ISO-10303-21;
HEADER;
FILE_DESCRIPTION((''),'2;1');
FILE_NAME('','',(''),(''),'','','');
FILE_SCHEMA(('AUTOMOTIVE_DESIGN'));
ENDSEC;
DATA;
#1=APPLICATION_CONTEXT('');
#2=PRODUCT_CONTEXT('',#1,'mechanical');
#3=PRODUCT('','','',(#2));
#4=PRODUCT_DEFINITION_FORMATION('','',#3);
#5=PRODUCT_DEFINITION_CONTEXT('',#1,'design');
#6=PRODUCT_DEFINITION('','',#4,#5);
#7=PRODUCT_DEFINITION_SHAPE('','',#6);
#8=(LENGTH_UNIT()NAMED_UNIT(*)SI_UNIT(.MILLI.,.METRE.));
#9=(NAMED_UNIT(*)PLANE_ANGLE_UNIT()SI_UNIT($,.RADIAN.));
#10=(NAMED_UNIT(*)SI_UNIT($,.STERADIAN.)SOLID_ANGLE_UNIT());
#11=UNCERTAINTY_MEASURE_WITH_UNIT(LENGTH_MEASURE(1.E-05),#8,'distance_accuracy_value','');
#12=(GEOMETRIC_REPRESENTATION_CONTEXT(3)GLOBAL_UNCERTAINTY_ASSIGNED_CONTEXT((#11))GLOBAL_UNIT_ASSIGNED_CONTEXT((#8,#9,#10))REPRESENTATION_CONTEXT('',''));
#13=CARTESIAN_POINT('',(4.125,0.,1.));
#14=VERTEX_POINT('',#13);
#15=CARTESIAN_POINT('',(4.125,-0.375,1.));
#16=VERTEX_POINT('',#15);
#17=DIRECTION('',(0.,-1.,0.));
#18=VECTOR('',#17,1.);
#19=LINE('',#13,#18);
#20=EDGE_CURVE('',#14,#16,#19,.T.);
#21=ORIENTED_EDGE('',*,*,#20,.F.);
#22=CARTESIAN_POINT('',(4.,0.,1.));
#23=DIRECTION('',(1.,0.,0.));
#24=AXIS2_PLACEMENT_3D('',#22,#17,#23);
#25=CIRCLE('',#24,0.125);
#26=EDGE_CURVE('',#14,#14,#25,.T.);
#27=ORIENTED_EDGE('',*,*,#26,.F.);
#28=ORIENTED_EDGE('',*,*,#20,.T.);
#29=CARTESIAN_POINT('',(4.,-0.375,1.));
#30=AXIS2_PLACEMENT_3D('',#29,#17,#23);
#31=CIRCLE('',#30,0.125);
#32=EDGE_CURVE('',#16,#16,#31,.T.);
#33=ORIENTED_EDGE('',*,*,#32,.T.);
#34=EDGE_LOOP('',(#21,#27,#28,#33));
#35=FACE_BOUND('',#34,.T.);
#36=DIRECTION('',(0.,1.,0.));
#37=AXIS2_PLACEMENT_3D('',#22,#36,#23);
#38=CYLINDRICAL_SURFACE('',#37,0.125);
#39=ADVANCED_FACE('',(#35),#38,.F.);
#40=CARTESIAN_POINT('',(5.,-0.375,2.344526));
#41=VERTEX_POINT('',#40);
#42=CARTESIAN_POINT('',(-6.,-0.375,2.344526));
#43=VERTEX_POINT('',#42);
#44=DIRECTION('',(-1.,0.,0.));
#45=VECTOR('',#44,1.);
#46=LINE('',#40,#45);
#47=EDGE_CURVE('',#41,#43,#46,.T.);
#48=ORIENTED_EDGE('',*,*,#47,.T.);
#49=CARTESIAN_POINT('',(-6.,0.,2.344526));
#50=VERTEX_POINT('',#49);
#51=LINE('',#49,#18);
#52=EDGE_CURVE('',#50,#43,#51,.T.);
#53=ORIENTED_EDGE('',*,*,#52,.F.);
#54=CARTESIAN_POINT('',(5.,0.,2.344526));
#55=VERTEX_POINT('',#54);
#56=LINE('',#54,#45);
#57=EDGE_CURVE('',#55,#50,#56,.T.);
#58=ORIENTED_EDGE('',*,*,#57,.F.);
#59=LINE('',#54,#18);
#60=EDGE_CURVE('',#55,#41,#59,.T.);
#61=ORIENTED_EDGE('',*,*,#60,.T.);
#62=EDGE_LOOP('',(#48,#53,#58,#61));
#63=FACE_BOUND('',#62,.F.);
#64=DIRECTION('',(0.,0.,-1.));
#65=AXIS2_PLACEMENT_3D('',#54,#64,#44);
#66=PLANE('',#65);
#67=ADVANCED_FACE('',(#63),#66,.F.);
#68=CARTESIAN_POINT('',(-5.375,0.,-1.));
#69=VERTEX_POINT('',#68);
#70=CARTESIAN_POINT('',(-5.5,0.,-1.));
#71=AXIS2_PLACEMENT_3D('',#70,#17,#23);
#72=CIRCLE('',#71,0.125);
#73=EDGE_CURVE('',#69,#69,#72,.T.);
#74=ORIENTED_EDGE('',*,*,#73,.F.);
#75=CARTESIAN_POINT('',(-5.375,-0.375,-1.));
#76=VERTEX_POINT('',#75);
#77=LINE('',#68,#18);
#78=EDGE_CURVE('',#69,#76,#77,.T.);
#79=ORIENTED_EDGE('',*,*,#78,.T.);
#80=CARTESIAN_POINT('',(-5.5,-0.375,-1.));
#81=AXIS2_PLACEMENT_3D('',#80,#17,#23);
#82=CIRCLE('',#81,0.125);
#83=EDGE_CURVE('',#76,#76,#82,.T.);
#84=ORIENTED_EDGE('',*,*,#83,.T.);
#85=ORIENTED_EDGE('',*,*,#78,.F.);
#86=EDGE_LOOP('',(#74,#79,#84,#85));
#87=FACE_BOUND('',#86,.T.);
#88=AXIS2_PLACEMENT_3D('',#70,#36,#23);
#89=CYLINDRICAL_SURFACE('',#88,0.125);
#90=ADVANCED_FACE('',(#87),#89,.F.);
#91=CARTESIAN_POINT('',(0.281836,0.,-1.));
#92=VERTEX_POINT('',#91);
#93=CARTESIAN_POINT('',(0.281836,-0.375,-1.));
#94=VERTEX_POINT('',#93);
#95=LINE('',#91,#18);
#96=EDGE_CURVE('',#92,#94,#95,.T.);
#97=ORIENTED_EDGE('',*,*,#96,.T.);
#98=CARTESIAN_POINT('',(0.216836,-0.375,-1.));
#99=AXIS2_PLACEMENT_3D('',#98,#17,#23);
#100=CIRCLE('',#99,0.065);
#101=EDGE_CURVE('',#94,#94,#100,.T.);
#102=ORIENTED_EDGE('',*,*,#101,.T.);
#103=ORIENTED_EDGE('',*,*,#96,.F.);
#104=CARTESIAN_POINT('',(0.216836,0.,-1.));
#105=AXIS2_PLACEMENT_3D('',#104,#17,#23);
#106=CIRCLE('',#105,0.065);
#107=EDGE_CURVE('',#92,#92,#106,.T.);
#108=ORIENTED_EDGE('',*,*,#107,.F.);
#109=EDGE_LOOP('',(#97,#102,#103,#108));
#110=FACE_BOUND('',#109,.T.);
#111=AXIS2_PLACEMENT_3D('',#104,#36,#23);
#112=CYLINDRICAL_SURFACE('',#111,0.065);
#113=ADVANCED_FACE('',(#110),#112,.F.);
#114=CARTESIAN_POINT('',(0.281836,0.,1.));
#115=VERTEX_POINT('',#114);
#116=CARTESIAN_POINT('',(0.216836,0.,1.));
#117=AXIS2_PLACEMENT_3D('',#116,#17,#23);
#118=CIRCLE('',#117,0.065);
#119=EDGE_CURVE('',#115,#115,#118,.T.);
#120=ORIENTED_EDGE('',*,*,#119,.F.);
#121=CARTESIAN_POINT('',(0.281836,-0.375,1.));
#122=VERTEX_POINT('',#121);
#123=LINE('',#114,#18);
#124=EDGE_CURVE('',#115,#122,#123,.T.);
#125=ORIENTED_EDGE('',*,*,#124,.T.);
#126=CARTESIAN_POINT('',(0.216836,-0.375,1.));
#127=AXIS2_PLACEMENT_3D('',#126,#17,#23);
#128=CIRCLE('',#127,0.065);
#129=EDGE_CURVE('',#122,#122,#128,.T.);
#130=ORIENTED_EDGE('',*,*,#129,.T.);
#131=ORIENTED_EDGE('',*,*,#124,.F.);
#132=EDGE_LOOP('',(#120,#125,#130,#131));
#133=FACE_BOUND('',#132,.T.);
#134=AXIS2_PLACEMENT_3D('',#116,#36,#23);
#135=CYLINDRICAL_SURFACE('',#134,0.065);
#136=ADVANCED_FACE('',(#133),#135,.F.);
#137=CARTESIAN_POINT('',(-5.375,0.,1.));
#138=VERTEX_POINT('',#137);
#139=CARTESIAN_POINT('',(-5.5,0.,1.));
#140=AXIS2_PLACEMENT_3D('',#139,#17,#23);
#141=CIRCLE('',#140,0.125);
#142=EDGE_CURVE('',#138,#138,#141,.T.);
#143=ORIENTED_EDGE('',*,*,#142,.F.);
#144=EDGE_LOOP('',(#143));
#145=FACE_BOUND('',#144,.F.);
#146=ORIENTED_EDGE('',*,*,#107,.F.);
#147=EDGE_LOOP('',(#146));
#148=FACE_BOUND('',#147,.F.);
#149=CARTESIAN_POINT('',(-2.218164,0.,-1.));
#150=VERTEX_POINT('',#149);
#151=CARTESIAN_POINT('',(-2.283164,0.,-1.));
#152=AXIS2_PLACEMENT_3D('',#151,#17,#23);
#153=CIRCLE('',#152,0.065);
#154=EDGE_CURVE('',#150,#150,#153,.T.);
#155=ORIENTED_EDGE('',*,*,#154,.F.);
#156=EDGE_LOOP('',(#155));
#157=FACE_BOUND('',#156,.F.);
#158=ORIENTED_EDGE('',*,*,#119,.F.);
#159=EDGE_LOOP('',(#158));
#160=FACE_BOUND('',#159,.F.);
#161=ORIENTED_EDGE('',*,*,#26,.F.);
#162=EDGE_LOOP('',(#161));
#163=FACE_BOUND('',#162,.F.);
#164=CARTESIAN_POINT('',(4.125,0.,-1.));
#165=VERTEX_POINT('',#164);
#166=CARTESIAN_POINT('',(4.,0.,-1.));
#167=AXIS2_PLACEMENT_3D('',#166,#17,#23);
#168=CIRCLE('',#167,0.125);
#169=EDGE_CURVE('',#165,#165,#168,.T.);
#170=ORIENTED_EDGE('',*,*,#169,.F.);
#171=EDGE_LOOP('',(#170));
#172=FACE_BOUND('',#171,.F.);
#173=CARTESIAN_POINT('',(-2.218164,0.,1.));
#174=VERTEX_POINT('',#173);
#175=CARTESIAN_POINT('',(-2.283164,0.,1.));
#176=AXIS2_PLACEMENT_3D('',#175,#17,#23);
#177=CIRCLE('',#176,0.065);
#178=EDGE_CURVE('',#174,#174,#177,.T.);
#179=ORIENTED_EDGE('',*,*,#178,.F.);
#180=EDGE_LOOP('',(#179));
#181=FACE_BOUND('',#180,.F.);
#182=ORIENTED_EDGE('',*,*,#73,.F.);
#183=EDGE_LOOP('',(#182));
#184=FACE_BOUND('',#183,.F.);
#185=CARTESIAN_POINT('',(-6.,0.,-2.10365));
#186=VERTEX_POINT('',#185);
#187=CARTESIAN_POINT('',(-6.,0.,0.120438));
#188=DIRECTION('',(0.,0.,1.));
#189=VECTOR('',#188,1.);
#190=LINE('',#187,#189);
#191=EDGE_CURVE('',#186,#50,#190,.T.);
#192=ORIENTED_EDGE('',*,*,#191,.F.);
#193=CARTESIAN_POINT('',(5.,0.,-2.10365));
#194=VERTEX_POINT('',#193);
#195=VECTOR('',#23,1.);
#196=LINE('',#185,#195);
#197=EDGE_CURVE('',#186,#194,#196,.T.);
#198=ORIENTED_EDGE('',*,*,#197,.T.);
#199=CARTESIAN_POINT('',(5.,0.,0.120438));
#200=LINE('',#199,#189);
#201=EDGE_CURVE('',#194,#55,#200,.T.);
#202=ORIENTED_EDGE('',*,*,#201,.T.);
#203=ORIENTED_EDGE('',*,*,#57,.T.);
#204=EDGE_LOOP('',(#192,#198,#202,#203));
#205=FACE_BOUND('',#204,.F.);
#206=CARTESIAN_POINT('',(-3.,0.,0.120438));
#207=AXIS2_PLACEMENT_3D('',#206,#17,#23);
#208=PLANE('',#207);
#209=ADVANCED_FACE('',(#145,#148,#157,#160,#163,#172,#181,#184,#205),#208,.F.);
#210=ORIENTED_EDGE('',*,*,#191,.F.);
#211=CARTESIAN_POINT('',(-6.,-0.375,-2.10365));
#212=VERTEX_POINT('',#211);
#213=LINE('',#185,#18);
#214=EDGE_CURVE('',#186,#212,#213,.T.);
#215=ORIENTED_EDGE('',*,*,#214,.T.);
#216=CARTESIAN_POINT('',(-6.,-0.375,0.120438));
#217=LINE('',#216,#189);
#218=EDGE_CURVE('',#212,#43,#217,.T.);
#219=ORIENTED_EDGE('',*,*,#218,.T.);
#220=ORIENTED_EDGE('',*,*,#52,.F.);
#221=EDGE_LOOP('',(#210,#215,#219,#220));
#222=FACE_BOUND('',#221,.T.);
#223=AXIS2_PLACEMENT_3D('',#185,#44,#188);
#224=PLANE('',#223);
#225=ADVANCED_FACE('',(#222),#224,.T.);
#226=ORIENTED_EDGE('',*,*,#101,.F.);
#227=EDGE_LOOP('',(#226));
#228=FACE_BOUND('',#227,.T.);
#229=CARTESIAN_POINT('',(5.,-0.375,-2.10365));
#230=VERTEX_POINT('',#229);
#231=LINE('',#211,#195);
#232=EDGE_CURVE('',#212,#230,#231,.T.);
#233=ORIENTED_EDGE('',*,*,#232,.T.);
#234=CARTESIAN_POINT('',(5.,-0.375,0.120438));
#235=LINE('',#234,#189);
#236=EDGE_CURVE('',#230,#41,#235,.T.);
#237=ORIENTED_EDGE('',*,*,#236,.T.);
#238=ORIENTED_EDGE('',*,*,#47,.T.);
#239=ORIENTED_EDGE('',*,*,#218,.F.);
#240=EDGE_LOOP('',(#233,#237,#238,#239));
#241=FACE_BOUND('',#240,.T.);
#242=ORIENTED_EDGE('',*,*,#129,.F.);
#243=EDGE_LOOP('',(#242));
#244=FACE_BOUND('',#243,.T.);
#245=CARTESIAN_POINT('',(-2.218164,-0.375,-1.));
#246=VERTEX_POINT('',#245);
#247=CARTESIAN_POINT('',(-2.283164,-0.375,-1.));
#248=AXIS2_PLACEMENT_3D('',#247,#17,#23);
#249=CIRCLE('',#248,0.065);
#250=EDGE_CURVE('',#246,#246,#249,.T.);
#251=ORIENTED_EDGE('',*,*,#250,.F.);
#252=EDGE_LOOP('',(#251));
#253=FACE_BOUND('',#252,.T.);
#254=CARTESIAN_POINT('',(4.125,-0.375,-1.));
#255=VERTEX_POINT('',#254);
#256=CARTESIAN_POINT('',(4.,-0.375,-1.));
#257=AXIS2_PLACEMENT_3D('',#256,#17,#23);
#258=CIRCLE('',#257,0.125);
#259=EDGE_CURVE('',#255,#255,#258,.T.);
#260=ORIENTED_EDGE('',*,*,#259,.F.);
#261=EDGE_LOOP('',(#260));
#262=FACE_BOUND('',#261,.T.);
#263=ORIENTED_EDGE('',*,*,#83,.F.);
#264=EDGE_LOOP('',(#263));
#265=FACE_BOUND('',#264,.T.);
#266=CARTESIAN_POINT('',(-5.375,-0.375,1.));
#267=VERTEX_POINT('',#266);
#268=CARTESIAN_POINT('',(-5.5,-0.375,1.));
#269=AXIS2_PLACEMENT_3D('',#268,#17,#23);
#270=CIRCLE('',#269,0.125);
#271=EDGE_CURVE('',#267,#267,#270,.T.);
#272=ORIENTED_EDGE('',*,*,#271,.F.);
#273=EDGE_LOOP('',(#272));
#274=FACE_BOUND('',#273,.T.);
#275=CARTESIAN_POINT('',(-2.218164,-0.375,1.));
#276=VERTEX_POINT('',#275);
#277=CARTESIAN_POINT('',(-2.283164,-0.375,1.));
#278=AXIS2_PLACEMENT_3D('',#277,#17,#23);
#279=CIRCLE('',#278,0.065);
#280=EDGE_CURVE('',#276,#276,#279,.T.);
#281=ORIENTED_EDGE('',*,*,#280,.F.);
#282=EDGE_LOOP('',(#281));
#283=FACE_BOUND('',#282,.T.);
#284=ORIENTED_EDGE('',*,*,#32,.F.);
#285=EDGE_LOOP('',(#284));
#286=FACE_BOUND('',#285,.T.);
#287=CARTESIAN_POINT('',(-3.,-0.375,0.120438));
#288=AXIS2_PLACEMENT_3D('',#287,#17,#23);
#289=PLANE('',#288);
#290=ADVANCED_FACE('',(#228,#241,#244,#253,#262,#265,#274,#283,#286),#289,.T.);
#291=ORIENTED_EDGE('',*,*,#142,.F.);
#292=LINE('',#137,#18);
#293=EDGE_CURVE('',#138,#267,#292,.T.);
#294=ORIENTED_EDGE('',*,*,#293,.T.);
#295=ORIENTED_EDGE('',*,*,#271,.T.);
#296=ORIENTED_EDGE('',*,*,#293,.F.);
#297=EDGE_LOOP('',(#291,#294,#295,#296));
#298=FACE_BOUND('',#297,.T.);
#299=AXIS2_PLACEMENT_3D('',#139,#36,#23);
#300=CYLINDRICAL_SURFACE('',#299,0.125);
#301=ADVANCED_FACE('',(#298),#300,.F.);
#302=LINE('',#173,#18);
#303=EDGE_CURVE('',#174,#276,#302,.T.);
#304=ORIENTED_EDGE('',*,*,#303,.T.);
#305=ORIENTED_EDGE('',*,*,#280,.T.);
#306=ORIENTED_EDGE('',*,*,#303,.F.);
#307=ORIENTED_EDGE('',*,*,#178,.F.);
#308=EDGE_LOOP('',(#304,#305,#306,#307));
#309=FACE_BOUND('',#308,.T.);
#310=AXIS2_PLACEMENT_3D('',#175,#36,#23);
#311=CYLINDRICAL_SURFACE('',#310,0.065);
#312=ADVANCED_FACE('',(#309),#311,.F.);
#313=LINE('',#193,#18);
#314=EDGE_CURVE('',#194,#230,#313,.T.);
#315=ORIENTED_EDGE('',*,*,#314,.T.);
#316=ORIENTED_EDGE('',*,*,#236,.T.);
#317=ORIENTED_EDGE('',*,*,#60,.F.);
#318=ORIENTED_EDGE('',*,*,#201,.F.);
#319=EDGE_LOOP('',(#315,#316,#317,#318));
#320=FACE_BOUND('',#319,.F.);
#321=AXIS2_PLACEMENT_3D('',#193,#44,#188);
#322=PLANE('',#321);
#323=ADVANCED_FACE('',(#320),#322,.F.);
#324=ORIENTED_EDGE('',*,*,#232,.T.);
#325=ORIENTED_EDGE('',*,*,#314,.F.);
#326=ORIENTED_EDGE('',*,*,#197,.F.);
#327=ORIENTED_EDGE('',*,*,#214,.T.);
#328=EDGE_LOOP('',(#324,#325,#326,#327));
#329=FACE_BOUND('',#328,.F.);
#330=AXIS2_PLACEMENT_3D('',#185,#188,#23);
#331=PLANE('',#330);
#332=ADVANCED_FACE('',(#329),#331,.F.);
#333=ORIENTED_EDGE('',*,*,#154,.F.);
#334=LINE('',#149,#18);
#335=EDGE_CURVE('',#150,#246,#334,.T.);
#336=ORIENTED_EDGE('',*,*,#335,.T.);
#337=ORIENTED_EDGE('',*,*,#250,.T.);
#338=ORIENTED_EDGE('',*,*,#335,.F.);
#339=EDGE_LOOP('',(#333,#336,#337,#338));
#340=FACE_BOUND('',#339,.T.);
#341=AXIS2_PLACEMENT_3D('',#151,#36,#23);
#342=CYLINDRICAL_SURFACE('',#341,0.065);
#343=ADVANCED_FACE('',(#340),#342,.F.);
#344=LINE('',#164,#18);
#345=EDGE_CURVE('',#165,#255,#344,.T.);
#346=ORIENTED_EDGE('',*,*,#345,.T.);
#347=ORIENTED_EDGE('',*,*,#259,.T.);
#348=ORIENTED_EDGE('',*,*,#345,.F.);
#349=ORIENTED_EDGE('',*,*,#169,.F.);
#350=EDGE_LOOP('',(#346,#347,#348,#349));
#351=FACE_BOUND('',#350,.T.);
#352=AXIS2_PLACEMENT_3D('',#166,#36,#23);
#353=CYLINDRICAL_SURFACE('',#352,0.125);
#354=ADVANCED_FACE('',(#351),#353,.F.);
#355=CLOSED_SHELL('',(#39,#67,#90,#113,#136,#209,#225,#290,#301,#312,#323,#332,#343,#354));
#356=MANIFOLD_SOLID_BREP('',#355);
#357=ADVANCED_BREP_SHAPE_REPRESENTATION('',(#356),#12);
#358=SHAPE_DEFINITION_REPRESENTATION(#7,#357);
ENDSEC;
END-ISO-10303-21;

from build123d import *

# Parameters (mm, degrees)
F0_W     = 6
F0_H     = 4.448176
F0_R     = 0.125
F0_R_2   = 0.065
F0_W_2   = 5
F1_DEPTH = 0.375


with BuildPart() as f1:
    # F0 (on Front) → F1 (new body)
    with BuildSketch(Plane.XZ):
        with Locations((-3, 0.120438)):
            Rectangle(F0_W, F0_H)
        with Locations((-5.5, -1)):
            Circle(F0_R, mode=Mode.SUBTRACT)
        with Locations((-2.283164, -1)):
            Circle(F0_R_2, mode=Mode.SUBTRACT)
        with Locations((-5.5, 1)):
            Circle(F0_R, mode=Mode.SUBTRACT)
        with Locations((-2.283164, 1)):
            Circle(F0_R_2, mode=Mode.SUBTRACT)
        with Locations((2.5, 0.120438)):
            Rectangle(F0_W_2, F0_H)
        with Locations((0.216836, -1)):
            Circle(F0_R_2, mode=Mode.SUBTRACT)
        with Locations((4, -1)):
            Circle(F0_R, mode=Mode.SUBTRACT)
        with Locations((0.216836, 1)):
            Circle(F0_R_2, mode=Mode.SUBTRACT)
        with Locations((4, 1)):
            Circle(F0_R, mode=Mode.SUBTRACT)
    extrude(amount=F1_DEPTH)


solid = f1.part
